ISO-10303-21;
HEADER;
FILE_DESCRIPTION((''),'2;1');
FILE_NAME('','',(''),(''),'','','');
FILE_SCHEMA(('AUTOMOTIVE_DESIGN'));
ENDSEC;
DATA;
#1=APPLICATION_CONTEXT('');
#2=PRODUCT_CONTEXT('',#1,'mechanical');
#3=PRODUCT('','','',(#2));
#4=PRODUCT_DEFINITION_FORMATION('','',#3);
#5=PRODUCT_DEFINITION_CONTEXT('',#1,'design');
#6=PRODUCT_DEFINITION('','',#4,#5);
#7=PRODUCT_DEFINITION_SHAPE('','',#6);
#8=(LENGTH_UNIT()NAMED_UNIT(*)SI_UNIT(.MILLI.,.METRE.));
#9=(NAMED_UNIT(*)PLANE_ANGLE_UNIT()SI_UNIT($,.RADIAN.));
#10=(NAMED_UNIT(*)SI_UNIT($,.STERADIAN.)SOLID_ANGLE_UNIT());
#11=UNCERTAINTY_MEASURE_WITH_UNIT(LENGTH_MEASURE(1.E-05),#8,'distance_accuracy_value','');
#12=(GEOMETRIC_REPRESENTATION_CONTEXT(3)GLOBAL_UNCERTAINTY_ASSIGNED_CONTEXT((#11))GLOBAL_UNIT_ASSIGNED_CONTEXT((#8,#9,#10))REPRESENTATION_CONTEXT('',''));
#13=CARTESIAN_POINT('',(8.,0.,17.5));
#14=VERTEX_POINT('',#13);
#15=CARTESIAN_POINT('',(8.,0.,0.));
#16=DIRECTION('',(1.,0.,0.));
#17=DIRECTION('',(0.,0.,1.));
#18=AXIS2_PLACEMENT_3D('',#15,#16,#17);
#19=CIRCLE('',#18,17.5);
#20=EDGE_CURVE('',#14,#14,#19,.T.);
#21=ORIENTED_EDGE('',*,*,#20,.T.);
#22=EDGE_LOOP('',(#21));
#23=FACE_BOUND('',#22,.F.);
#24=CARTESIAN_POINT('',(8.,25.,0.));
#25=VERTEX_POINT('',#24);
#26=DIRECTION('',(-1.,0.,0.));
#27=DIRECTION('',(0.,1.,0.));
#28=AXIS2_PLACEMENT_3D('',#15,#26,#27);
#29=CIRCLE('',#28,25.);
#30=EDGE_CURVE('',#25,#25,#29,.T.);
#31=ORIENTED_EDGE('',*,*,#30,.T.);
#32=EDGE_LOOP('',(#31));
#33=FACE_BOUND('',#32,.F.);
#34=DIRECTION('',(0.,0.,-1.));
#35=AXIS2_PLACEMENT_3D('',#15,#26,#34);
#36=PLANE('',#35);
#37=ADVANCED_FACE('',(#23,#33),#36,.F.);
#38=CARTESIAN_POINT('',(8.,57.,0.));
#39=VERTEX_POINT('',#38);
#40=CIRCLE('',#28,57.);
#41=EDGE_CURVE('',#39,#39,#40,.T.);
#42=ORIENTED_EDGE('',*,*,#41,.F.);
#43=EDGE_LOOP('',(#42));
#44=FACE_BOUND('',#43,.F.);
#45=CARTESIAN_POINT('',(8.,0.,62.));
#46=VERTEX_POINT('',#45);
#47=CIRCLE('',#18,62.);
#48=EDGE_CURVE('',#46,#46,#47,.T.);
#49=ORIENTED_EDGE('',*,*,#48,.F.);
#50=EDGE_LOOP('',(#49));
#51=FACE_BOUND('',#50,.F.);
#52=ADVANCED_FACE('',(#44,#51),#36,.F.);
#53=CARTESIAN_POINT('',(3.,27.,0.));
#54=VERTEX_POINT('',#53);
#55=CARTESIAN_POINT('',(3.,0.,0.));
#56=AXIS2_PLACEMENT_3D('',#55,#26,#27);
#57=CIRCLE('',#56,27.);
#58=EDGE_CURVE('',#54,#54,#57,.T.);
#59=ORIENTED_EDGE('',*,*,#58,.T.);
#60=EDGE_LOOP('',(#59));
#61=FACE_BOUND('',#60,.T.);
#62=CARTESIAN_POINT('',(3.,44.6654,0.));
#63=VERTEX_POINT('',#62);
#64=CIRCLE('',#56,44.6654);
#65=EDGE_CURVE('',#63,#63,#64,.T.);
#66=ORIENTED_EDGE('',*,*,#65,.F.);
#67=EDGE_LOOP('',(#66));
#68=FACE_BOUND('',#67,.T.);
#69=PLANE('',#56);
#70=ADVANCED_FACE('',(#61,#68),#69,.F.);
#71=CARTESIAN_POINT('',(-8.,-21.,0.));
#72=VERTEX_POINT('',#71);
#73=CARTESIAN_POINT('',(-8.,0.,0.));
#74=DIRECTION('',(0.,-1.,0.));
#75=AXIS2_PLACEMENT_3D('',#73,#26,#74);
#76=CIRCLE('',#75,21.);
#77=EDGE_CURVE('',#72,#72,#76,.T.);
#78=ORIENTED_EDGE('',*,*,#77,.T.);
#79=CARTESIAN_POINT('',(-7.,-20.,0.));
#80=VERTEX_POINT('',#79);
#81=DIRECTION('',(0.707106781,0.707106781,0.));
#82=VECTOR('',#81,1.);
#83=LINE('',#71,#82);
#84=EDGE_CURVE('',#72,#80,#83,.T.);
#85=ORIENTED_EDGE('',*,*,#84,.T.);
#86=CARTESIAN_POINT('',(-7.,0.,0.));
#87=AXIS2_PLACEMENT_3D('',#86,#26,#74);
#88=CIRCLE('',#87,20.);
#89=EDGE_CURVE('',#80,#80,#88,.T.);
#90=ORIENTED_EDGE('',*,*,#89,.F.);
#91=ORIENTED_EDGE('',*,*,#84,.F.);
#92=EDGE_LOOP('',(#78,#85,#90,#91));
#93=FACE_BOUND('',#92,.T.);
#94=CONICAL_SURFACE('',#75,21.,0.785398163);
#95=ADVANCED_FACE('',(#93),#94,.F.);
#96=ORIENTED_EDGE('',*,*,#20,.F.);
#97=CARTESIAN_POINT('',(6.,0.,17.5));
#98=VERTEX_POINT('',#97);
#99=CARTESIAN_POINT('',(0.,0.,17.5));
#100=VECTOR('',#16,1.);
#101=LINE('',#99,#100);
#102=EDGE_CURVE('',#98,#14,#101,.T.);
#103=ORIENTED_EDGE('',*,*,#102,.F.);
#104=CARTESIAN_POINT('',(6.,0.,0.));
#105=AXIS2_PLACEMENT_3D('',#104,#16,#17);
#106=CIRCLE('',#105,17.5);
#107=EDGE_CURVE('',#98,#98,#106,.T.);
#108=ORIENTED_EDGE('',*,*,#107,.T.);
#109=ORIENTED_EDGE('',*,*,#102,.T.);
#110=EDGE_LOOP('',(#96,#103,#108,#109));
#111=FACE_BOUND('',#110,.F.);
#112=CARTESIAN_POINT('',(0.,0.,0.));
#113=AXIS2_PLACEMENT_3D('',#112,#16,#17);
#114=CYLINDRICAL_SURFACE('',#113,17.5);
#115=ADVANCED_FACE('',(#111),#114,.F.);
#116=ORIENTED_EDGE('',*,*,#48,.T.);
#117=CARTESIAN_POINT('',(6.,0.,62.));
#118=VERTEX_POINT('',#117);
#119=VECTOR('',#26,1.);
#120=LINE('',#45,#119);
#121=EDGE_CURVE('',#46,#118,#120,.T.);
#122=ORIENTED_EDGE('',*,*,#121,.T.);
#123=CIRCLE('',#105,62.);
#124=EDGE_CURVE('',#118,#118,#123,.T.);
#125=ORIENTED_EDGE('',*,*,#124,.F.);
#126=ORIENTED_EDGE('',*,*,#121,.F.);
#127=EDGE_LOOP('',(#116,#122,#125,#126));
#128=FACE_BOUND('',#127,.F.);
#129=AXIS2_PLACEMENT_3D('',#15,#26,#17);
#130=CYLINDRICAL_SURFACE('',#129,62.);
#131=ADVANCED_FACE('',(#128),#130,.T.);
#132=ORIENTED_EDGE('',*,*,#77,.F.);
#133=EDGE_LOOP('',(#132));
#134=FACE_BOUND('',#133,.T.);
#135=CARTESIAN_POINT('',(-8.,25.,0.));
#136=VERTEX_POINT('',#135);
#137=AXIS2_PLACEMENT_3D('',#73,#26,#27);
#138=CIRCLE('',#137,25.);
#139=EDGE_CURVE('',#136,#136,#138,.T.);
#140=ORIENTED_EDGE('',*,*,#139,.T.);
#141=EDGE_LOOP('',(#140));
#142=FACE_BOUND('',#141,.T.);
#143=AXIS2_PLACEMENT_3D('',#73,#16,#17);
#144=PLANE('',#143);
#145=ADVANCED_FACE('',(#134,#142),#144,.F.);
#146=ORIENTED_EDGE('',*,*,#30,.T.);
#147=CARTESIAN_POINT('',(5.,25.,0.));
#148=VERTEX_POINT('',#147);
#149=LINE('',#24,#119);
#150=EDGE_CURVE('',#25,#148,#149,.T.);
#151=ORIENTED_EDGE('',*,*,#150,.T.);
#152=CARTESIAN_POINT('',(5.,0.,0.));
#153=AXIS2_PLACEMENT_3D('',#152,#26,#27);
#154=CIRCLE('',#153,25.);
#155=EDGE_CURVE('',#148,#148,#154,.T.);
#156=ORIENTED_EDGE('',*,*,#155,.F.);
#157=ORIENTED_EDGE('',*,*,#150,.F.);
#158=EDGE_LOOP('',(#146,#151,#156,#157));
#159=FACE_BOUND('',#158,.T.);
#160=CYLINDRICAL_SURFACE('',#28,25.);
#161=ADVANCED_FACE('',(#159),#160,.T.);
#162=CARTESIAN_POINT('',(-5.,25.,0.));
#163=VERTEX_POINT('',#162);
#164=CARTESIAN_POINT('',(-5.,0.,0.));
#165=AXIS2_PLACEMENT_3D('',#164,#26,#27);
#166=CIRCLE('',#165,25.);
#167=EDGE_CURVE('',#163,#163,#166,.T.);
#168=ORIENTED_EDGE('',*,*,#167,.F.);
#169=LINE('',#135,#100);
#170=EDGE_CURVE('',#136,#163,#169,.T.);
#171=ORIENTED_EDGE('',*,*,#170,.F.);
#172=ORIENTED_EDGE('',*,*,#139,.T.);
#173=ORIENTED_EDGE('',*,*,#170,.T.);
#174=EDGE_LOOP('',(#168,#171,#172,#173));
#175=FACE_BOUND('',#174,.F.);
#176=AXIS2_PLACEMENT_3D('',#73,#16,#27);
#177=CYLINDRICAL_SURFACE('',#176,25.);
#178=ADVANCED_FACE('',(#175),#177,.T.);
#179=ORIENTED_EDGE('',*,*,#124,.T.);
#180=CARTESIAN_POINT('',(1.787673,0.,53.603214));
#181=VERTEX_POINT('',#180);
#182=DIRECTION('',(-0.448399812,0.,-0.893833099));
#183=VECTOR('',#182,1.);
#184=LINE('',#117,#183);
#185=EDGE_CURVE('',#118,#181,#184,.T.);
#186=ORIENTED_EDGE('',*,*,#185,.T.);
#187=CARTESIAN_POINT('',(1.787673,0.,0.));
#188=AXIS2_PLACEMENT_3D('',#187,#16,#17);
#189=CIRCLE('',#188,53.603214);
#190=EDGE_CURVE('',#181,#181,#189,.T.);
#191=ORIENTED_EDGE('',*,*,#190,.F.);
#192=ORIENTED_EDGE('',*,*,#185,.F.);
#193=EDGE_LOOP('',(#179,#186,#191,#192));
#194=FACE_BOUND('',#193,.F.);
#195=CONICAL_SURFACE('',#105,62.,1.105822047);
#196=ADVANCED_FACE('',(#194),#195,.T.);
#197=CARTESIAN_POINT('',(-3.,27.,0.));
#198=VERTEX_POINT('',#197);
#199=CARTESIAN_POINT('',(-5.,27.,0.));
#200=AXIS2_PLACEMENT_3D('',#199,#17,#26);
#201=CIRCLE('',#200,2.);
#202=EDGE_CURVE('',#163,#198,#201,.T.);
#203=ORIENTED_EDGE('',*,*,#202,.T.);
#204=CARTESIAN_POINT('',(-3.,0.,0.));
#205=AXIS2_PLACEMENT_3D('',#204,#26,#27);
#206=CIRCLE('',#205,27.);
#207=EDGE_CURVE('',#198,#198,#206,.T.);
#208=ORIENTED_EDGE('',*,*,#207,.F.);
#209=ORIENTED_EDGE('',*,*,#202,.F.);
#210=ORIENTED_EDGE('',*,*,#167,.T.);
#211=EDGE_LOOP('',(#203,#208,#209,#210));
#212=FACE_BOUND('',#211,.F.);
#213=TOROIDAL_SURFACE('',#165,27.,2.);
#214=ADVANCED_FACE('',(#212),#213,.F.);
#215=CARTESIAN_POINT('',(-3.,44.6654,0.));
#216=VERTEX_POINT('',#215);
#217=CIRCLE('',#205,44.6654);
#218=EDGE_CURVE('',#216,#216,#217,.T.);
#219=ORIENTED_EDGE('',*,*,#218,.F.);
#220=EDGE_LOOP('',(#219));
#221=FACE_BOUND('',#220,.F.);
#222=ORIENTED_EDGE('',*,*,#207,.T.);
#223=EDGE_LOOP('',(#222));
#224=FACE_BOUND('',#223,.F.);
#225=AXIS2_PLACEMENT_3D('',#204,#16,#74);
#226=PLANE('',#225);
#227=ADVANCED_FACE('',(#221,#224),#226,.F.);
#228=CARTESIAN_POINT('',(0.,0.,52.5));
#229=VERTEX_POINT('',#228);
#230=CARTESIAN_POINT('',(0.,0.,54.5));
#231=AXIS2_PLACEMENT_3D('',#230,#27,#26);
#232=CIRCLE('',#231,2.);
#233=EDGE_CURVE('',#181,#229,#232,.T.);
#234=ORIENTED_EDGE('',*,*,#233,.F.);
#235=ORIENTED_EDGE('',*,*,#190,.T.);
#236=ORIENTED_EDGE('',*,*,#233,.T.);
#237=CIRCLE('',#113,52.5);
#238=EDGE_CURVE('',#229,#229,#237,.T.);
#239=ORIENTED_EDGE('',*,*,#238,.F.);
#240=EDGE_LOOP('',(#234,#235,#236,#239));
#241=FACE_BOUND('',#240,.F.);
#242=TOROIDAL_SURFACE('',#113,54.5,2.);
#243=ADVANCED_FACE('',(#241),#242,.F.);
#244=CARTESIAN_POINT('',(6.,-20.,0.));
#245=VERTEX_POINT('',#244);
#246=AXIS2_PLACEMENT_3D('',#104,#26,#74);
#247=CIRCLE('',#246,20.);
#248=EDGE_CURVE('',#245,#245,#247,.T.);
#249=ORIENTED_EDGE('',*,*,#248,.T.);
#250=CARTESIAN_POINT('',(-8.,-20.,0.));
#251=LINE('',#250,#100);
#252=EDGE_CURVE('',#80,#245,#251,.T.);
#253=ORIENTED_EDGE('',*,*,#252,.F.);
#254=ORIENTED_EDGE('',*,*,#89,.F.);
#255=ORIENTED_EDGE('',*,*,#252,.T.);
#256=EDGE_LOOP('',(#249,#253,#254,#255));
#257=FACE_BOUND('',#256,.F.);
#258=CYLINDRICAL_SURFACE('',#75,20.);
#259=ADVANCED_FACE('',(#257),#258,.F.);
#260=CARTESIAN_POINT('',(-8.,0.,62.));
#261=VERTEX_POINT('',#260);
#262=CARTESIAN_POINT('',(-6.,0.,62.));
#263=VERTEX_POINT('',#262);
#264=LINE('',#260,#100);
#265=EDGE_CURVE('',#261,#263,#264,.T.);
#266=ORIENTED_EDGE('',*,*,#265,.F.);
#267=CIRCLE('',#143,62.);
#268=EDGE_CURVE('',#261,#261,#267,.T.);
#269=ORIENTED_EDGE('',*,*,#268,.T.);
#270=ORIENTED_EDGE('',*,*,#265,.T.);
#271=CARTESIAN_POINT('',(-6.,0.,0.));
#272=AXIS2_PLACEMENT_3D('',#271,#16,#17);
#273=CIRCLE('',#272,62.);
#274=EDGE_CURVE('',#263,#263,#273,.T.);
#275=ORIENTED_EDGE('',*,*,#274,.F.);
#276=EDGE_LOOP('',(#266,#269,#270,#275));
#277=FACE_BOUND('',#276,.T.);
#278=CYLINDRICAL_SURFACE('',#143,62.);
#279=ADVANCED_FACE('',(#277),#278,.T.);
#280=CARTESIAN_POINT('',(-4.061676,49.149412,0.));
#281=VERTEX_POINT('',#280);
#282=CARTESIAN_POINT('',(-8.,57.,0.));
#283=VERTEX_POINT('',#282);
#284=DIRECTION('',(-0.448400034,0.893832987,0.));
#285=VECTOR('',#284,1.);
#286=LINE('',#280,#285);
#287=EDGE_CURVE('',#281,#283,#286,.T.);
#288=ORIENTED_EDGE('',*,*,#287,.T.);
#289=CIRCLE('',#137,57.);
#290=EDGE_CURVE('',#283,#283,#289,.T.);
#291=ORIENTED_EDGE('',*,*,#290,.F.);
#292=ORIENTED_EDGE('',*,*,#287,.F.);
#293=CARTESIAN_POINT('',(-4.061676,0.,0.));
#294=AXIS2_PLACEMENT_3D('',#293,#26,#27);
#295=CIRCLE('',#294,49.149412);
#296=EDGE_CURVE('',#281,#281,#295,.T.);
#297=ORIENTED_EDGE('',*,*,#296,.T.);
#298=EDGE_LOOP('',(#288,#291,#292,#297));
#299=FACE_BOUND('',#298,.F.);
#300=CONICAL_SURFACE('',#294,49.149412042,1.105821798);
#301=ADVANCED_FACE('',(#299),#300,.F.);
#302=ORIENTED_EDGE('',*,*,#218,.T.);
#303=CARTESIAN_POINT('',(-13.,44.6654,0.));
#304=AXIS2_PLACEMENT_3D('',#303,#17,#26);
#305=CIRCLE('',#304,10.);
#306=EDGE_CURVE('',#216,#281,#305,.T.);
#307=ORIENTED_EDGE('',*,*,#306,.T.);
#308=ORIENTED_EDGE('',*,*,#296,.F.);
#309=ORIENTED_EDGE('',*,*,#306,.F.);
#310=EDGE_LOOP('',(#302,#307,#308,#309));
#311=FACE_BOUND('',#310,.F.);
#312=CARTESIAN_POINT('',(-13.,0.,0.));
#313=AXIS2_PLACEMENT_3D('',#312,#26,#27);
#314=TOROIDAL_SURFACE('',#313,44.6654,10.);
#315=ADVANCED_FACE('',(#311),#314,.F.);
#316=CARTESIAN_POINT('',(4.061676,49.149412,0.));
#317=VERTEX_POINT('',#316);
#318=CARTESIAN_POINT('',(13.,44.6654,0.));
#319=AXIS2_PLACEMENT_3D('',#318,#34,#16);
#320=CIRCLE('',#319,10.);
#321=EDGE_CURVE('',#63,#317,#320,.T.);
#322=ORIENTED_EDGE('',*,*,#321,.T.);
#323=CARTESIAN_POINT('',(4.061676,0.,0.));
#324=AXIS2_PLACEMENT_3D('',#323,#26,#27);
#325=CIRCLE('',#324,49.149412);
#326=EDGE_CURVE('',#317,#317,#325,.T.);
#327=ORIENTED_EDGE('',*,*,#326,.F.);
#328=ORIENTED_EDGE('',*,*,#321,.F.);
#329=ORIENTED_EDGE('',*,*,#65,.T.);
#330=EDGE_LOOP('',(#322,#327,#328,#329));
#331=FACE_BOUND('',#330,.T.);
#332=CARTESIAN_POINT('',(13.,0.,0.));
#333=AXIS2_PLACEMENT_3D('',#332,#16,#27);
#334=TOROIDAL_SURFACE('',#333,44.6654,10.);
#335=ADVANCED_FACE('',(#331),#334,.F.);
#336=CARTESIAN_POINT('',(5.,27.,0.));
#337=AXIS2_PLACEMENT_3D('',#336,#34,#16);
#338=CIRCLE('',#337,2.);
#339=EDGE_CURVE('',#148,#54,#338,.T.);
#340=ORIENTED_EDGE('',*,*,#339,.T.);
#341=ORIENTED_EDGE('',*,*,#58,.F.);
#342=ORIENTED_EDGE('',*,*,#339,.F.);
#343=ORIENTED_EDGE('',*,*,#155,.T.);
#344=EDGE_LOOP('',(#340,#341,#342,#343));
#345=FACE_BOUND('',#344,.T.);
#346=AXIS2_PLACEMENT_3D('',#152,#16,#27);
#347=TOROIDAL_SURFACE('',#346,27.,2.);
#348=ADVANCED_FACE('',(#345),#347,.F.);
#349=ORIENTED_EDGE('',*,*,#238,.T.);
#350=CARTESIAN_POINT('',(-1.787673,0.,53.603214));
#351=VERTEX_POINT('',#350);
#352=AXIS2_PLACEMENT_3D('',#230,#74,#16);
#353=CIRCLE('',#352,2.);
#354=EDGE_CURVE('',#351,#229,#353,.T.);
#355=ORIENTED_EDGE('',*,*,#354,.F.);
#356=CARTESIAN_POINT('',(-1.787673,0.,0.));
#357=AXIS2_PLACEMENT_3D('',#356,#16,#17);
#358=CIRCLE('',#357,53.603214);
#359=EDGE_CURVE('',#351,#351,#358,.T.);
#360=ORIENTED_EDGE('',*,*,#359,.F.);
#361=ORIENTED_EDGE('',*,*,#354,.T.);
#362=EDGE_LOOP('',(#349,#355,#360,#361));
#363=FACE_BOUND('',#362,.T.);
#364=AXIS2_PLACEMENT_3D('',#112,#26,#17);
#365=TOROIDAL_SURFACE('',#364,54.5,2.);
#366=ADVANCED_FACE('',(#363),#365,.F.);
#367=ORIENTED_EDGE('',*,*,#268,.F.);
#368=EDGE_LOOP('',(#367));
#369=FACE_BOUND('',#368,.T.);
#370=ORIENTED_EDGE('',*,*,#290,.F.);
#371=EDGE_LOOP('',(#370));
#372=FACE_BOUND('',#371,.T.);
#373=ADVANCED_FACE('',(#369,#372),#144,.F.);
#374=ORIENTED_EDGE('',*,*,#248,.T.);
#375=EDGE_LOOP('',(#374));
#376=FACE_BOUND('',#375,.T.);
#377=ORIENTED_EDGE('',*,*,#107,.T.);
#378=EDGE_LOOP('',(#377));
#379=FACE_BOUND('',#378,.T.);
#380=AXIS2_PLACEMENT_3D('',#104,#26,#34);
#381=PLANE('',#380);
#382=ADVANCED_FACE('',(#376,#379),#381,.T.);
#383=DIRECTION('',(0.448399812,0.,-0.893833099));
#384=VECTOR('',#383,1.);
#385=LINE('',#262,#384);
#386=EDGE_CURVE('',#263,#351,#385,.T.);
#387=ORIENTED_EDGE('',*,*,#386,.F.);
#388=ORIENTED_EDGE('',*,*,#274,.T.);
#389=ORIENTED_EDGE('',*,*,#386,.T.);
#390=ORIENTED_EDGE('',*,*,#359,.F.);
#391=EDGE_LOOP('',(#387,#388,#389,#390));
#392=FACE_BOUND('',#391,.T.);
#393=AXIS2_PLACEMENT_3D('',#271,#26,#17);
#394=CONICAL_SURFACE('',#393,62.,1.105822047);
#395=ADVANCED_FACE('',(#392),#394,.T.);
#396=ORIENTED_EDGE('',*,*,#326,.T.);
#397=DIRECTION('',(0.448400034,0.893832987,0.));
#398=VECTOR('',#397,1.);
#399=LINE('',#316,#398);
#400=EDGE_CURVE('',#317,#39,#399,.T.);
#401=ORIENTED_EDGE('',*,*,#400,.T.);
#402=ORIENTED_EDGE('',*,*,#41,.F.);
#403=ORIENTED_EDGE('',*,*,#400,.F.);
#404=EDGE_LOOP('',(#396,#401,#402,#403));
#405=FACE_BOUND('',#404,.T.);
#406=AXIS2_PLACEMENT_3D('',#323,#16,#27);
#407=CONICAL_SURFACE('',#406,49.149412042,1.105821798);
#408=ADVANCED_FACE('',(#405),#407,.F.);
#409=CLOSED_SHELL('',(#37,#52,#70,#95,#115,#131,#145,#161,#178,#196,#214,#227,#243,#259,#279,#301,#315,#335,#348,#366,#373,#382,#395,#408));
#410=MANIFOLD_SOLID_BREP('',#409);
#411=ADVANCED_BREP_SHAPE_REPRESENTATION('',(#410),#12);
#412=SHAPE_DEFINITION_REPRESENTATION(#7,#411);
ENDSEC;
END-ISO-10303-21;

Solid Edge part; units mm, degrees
sketch "Sketch1" plane through (0, 0, 0) normal (0, -1, 0) x (1, 0, 0)
  line L0 (-8, 17.5) -> (-8, 62)
  line L1 (-8, 62) -> (-6, 62)
  line L2 (-6, 62) -> (-1.7877, 53.6032)
  arc A0 (-1.7877, 53.6032) -> (0, 52.5) centre (0, 54.5) ccw
  line L3 (0, 52.5) -> (0, 17.5)
  line L4 (0, 17.5) -> (-8, 17.5)
revolve "RevolvedProtrusion1" add sketch "Sketch1" angle 360 about axis through (-60, 0, 0) along (1, 0, 0)
mirror "Mirror1" about plane through (0, 0, 0) normal (1, 0, 0) of "RevolvedProtrusion1"
sketch "Sketch2" plane through (-8, 0, 0) normal (-1, 0, 0) x (0, -1, 0)
  circle A0 centre (0, 0) radius 20
extrude "Cutout1" cut sketch "Sketch2" against normal blind 14
chamfer "Fase_1" distance 1 angle 45 1 edges at (-8, 20, 0)
sketch "Sketch3" plane through (0, 0, 0) normal (0, 0, 1) x (1, 0, 0)
  line L0 (8, 57) -> (8, 25)
  line L1 (8, 25) -> (5, 25)
  arc A0 (5, 25) -> (3, 27) centre (5, 27) cw
  line L2 (3, 27) -> (3, 44.6654)
  arc A1 (3, 44.6654) -> (4.0617, 49.1494) centre (13, 44.6654) cw
  line L3 (4.0617, 49.1494) -> (8, 57)
revolve "RevolvedCutout1" cut sketch "Sketch3" angle 360 about axis through (57, 0, 0) along (-1, 0, 0)
mirror "Mirror2" about plane through (0, 0, 0) normal (1, 0, 0) of "RevolvedCutout1"
properties material "Aluminium, 1060"
